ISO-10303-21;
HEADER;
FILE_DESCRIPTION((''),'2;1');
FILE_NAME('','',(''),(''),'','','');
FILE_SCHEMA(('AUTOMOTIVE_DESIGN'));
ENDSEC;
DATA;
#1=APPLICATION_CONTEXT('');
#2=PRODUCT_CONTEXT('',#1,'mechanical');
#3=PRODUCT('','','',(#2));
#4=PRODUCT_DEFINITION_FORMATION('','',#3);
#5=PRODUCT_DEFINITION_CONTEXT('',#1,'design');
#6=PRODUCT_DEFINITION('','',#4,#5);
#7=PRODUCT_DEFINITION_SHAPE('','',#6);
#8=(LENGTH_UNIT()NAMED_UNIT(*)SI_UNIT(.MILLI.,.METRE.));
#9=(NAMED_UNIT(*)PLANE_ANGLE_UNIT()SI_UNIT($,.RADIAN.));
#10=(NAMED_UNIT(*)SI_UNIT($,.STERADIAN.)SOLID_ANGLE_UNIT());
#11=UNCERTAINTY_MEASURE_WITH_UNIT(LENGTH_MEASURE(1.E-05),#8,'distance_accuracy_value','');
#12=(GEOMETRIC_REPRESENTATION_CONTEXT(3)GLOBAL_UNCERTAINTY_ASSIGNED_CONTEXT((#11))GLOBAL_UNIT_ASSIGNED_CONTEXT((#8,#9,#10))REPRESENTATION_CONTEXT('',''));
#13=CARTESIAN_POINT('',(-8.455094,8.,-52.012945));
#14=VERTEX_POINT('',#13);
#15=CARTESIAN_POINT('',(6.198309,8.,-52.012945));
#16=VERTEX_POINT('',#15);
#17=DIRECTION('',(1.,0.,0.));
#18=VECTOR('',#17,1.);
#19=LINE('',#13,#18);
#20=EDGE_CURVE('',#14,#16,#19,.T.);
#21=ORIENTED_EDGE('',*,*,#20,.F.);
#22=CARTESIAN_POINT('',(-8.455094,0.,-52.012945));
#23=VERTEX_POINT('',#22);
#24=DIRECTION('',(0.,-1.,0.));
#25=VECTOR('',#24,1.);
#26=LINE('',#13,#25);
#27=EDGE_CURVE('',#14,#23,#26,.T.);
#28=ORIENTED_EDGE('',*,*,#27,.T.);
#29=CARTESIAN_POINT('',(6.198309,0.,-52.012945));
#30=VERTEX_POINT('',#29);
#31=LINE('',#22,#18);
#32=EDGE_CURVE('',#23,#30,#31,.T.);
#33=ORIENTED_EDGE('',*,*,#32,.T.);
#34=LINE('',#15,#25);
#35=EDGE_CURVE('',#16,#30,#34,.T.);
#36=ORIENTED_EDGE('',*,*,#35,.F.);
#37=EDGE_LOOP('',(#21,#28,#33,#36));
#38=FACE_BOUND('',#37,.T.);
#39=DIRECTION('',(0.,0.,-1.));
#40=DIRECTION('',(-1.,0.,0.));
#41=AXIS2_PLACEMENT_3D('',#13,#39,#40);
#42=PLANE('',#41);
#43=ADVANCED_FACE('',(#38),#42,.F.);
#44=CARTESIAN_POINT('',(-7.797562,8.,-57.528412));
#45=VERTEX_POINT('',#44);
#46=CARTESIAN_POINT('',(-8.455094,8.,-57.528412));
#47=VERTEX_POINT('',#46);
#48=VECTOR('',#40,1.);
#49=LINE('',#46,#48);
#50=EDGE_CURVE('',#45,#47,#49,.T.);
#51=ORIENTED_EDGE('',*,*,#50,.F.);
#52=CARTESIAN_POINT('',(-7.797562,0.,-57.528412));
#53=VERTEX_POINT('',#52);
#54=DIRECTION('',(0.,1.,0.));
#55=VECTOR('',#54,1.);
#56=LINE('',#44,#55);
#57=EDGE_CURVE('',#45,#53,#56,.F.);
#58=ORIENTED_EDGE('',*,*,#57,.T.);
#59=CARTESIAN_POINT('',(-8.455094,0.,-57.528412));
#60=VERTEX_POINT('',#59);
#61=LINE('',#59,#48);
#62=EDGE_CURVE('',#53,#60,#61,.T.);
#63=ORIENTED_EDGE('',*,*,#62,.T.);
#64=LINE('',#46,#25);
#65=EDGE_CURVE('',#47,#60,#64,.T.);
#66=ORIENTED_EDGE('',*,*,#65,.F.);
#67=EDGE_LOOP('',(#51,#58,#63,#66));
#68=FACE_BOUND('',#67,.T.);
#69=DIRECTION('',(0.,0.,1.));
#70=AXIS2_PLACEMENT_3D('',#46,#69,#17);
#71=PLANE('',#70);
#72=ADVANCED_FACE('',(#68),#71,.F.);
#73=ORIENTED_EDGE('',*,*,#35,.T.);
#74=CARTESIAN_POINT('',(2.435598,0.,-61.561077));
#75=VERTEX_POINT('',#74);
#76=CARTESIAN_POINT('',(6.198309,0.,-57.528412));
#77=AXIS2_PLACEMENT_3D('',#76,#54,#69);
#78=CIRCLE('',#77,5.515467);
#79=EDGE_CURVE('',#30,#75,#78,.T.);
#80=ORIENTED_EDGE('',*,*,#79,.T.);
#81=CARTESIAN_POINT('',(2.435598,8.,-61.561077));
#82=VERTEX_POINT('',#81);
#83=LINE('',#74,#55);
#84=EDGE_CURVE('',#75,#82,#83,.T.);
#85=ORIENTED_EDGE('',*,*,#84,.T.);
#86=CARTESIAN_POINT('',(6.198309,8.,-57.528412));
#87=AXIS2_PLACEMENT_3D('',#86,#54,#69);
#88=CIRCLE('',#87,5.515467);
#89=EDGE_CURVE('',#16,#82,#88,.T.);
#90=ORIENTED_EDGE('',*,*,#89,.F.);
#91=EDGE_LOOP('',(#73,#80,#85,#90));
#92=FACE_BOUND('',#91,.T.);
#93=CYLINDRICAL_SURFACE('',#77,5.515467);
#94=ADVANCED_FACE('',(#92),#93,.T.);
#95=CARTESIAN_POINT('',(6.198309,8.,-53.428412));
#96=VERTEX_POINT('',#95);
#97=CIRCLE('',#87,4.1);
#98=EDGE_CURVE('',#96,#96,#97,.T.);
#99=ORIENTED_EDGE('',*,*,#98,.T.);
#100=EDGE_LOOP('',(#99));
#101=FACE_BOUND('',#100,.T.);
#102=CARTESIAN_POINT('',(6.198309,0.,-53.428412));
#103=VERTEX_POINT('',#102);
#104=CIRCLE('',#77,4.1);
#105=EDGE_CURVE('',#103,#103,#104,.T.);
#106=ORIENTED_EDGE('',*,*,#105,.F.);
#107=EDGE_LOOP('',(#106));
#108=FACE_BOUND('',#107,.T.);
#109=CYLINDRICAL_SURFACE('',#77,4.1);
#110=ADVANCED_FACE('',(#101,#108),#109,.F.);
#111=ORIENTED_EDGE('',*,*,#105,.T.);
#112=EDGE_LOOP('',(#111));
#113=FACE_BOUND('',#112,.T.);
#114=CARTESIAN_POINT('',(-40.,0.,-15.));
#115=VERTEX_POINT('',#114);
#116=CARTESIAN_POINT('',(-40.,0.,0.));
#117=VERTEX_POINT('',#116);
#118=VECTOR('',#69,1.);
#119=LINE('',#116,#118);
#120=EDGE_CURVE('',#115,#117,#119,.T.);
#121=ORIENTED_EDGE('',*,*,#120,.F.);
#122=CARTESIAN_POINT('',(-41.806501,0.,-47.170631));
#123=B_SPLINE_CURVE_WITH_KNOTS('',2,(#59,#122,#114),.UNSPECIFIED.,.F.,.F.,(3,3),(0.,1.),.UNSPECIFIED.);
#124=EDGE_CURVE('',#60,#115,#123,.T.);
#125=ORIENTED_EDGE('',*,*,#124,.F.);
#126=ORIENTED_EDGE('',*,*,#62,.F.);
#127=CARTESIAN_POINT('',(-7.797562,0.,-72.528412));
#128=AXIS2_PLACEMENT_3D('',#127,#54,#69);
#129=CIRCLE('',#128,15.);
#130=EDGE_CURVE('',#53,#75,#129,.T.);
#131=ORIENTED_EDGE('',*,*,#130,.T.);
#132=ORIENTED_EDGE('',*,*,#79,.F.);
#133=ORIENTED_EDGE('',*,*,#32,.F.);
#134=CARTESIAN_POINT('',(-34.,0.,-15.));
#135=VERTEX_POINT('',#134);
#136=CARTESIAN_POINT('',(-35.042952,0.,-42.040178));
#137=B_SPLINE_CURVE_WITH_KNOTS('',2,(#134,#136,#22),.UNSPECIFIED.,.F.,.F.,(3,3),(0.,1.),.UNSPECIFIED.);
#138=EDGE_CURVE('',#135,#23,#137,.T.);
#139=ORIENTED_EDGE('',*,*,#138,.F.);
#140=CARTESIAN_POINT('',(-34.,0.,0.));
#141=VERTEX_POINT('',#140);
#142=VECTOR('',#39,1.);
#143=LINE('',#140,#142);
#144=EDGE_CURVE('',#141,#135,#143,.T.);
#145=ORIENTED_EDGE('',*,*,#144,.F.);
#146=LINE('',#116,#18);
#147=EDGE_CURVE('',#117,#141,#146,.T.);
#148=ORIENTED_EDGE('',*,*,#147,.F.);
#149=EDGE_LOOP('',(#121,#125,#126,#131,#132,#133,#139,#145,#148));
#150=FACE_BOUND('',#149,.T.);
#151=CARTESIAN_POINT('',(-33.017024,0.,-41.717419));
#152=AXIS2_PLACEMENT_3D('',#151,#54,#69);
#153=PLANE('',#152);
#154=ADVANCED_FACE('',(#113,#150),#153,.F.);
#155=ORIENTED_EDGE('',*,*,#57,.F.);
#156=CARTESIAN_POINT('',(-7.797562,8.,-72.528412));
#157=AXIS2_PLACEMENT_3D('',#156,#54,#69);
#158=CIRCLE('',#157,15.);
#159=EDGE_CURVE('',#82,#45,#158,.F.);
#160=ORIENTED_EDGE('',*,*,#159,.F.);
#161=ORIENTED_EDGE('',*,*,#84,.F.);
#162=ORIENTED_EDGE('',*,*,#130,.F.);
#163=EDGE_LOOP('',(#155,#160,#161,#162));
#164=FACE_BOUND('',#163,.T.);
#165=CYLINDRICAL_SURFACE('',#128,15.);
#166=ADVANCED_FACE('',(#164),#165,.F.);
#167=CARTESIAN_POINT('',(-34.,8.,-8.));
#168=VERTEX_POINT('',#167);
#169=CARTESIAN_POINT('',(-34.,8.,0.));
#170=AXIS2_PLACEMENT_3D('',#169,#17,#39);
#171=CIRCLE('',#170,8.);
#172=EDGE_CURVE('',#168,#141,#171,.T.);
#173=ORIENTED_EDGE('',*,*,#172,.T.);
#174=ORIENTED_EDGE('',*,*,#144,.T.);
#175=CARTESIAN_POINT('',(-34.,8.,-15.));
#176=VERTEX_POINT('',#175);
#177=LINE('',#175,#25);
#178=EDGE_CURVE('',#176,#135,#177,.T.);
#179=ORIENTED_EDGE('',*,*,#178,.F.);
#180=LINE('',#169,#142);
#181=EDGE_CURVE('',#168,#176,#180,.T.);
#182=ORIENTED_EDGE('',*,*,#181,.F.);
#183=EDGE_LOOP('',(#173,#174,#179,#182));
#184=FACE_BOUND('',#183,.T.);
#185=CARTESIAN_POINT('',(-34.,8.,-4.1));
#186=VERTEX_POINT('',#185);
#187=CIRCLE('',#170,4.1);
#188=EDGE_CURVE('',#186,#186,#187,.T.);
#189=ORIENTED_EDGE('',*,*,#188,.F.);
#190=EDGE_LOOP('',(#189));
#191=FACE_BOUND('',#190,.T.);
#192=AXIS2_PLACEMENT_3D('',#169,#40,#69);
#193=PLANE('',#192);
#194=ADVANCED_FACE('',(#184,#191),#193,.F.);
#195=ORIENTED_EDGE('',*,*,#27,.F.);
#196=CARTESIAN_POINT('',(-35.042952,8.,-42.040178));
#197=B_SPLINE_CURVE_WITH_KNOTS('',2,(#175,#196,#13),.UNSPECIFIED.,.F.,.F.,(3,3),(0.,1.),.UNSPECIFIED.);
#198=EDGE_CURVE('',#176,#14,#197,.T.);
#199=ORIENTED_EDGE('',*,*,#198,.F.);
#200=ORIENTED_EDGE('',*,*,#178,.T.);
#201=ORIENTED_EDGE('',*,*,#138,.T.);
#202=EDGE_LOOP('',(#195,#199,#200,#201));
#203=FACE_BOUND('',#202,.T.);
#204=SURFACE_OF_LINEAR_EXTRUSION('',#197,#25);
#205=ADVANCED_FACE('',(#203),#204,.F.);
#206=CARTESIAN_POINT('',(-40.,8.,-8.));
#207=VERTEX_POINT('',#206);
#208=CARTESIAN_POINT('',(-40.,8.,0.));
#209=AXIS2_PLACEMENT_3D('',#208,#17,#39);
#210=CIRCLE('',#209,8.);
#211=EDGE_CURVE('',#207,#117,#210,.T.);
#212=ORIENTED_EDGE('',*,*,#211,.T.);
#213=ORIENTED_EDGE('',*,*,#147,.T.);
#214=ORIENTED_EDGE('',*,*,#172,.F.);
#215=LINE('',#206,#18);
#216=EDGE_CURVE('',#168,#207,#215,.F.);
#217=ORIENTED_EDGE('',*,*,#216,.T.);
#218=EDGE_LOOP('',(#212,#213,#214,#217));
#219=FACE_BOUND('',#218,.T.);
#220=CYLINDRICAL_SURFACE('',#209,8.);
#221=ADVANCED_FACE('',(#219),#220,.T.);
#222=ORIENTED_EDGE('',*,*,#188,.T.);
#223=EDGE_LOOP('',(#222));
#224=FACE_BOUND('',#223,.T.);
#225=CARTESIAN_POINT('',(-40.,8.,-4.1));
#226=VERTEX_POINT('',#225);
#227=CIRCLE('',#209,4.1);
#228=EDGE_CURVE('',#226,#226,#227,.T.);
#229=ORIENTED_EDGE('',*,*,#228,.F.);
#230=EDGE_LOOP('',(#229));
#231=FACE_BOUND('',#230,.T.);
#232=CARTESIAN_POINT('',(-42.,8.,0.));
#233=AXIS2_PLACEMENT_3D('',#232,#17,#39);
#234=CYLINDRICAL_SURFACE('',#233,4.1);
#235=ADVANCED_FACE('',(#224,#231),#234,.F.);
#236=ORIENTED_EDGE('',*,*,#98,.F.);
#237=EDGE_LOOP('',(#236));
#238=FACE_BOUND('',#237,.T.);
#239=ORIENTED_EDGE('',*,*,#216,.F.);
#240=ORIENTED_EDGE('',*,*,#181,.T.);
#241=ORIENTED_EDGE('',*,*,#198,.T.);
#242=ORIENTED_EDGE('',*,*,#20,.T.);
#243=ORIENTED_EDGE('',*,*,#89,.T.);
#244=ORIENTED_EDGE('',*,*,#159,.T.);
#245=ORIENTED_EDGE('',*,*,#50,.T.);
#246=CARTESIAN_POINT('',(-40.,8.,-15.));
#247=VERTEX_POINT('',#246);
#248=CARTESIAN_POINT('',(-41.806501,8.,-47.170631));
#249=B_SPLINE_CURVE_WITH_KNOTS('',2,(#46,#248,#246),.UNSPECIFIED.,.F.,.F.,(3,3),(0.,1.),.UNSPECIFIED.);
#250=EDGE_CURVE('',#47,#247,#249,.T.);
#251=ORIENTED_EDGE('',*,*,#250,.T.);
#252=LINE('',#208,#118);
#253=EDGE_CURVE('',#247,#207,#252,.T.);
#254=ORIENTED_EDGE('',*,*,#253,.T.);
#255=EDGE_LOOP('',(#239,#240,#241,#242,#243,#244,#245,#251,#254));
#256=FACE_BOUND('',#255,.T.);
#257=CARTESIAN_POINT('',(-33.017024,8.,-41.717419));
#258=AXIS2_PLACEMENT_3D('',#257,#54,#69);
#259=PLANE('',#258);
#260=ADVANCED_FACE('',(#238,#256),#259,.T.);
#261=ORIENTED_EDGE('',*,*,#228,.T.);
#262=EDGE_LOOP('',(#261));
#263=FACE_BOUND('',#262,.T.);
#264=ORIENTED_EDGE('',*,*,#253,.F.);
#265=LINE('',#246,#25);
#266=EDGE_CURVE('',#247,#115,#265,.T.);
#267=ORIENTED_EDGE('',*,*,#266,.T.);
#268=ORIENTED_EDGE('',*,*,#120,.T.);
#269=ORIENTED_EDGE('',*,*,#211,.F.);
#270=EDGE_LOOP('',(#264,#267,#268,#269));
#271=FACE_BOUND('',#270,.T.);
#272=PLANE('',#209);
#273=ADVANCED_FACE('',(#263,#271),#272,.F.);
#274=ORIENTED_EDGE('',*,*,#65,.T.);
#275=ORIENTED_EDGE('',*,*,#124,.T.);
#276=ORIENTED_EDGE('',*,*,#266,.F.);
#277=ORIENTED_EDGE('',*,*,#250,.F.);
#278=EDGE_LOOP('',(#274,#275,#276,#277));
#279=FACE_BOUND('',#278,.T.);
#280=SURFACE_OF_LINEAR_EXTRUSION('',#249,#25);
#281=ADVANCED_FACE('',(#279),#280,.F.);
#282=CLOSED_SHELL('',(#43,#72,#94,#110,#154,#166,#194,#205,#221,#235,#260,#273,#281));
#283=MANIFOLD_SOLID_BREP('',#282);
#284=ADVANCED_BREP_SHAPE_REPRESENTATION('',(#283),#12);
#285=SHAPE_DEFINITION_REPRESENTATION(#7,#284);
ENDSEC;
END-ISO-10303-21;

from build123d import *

# Parameters (mm, degrees)
RESSALTO_EXTRUS_O4_DEPTH = 8
ESBO_O7_R                = 4.1
CORTE_EXTRUS_O3_DEPTH    = 8
ESBO_O8_R                = 8
ESBO_O8_R_2              = 4.1
RESSALTO_EXTRUS_O5_DEPTH = 6
ESBO_O14_R               = 5.515467334
ESBO_O14_R_2             = 4.1
RESSALTO_EXTRUS_O8_DEPTH = 8
FILETE3_R                = 15
CORTE_EXTRUS_O6_DEPTH    = 8


with BuildPart() as part:
    # Esboço1 → Ressalto-extrusão4 (new body)
    with BuildSketch(Plane(origin=(0, 0, 0), x_dir=(1, 0, 0), z_dir=(0, 1, 0))):
        with BuildLine():
            Line((-8.455093814, 52.012944842), (6.19830879, 52.012944842))
            Line((6.19830879, 52.012944842), (6.19830879, 57.528412176))
            Line((6.19830879, 57.528412176), (-8.455093814, 57.528412176))
            add(Edge.make_bspline(
                [(-40, 15), (-41.806500993, 47.170631402), (-8.455093814, 57.528412176)],
                knots=[0, 0, 0, 1, 1, 1], degree=2))
            Line((-40, 15), (-40, 0))
            Line((-40, 0), (-34, 0))
            Line((-34, 0), (-34, 15))
            add(Edge.make_bspline(
                [(-34, 15), (-35.042952492, 42.040177947), (-8.455093814, 52.012944842)],
                knots=[0, 0, 0, 1, 1, 1], degree=2))
        make_face()
    extrude(amount=RESSALTO_EXTRUS_O4_DEPTH)

    # Esboço7 → Corte-extrusão3 (cut)
    with BuildSketch(Plane(origin=(-34, 0, 0), x_dir=(0, 0, -1), z_dir=(1, 0, 0))):
        with Locations((0, 8)):
            Circle(ESBO_O7_R)
    extrude(amount=-CORTE_EXTRUS_O3_DEPTH, mode=Mode.SUBTRACT)

    # Esboço8 → Ressalto-extrusão5 (add)
    with BuildSketch(Plane(origin=(-34, 0, 0), x_dir=(0, 0, -1), z_dir=(1, 0, 0))):
        with Locations((0, 8)):
            Circle(ESBO_O8_R)
        with Locations((0, 8)):
            Circle(ESBO_O8_R_2, mode=Mode.SUBTRACT)
    extrude(amount=-RESSALTO_EXTRUS_O5_DEPTH)

    # Esboço14 → Ressalto-extrusão8 (add)
    with BuildSketch(Plane(origin=(0, 8, 0), x_dir=(1, 0, 0), z_dir=(0, 1, 0))):
        with Locations((6.19830879, 57.528412176)):
            Circle(ESBO_O14_R)
        with Locations((6.19830879, 57.528412176)):
            Circle(ESBO_O14_R_2, mode=Mode.SUBTRACT)
    extrude(amount=-RESSALTO_EXTRUS_O8_DEPTH)

    # Filete3
    filete3_edges = [part.edges().sort_by_distance(p)[0] for p in [
        (0.682841456, 4, -57.528412176),
    ]]
    fillet(filete3_edges, radius=FILETE3_R)

    # Esboço15 → Corte-extrusão6 (cut)
    with BuildSketch(Plane(origin=(0, 8, 0), x_dir=(1, 0, 0), z_dir=(0, 1, 0))):
        with BuildLine():
            Line((6.19830879, 57.528412176), (2.09830879, 57.528412176))
            ThreePointArc((2.09830879, 57.528412176), (3.299170987, 54.629274373), (6.19830879, 53.428412176))
            Line((6.19830879, 53.428412176), (6.19830879, 57.528412176))
        make_face()
    extrude(amount=-CORTE_EXTRUS_O6_DEPTH, mode=Mode.SUBTRACT)


solid = part.part
